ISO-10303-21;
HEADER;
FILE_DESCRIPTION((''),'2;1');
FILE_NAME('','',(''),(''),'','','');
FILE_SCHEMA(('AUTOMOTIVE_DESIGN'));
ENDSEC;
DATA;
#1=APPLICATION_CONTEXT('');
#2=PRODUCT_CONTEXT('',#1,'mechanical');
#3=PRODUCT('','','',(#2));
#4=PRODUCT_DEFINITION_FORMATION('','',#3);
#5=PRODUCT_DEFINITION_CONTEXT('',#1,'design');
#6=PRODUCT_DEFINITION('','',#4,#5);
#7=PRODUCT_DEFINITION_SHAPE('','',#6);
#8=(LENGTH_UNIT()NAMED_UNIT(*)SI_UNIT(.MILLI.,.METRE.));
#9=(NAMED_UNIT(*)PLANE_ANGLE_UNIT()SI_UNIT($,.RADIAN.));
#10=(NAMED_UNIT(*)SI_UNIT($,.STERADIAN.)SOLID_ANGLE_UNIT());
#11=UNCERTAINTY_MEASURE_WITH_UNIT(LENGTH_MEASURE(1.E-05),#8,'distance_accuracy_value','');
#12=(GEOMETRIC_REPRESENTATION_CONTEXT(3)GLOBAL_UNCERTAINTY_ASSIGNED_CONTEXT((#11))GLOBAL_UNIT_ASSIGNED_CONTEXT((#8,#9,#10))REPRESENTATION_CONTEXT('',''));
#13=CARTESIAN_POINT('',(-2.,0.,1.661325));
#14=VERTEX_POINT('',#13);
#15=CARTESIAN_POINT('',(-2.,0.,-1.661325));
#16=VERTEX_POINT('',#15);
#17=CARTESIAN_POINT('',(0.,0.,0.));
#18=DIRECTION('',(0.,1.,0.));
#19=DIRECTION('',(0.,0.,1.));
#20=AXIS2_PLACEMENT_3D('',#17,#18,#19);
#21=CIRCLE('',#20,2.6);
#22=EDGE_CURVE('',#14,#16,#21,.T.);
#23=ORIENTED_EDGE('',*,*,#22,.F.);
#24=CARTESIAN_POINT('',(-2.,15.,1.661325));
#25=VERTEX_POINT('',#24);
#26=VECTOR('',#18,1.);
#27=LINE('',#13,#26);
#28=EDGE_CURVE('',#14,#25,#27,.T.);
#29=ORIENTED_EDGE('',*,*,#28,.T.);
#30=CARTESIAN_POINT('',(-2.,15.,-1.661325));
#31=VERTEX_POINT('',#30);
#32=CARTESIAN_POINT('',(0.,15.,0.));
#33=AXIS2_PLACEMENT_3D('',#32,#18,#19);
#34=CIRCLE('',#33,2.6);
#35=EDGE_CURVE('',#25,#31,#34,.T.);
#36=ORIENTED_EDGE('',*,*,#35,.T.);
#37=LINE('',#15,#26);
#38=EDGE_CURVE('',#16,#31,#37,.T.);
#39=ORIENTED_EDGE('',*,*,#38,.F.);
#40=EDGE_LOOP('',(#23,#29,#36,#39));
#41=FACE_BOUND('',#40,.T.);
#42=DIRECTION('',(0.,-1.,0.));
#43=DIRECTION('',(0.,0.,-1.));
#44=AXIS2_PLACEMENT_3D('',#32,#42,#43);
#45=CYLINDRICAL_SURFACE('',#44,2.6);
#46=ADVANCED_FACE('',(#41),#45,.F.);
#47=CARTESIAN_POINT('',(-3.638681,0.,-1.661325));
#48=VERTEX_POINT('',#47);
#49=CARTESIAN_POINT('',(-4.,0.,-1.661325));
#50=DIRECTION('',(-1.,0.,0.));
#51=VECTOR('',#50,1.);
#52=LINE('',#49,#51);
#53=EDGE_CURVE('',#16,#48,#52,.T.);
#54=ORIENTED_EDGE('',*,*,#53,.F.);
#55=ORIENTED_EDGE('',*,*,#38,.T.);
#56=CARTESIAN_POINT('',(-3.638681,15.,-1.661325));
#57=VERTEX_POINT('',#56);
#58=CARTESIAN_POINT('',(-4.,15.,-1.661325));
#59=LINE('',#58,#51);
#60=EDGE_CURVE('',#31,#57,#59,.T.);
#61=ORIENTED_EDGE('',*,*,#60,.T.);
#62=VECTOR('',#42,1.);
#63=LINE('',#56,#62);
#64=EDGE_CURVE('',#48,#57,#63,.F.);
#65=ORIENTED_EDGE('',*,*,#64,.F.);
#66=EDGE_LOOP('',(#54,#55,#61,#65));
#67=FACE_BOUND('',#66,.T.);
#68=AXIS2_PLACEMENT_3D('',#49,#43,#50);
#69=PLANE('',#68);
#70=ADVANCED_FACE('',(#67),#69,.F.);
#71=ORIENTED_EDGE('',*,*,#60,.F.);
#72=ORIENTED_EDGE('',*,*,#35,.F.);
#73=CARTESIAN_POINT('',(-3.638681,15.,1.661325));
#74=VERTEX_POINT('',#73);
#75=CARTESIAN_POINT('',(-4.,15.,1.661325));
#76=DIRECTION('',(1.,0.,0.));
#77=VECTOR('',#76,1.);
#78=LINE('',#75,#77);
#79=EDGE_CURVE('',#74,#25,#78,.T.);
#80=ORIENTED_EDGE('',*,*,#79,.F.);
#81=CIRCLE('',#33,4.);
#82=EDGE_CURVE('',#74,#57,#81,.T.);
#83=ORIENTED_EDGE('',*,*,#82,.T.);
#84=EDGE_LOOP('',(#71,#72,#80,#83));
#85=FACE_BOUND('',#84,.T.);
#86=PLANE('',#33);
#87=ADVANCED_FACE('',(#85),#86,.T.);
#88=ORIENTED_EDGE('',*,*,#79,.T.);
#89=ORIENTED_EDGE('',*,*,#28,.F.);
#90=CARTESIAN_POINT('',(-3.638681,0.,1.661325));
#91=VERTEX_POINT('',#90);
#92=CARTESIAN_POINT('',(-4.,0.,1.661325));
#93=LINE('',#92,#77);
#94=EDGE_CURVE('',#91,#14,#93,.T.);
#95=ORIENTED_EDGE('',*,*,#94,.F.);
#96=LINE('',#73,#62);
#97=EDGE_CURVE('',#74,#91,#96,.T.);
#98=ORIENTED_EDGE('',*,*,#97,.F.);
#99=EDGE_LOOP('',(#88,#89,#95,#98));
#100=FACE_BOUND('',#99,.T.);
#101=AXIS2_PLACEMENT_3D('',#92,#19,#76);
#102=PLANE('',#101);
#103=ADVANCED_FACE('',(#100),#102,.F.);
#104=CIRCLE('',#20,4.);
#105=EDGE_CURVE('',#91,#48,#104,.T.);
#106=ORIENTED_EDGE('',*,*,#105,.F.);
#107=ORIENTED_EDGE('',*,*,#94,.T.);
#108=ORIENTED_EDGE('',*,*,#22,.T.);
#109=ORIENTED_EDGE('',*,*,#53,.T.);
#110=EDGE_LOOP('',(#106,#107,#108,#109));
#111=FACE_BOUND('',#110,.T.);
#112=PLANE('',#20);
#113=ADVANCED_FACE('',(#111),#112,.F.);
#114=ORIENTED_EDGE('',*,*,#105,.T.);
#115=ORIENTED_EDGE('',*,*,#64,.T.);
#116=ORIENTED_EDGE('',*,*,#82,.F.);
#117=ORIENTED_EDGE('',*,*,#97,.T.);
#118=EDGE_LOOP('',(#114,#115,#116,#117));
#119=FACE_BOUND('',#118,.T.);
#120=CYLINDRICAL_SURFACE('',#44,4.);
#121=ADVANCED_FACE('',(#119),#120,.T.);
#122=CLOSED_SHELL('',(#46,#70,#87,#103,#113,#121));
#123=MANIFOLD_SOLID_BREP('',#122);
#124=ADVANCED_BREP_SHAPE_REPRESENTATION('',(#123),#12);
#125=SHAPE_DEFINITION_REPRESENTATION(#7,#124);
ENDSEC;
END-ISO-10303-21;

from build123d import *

# Parameters (mm, degrees)
SKETCH_1_R          = 4
SKETCH_1_R_2        = 2.6
EXTRUDE_1_DEPTH     = 15
SKETCH_2_W          = 2
SKETCH_2_H          = 3.322649546
CUT_EXTRUDE_1_DEPTH = 15


with BuildPart() as part:
    # 草圖1 → 填料-伸長1 (new body)
    with BuildSketch(Plane(origin=(0, 0, 0), x_dir=(1, 0, 0), z_dir=(0, 1, 0))):
        Circle(SKETCH_1_R)
        Circle(SKETCH_1_R_2, mode=Mode.SUBTRACT)
    extrude(amount=EXTRUDE_1_DEPTH)

    # 草圖2 → 除料-伸長1 (cut)
    with BuildSketch(Plane(origin=(0, 15, 0), x_dir=(1, 0, 0), z_dir=(0, 1, 0))):
        with Locations((-3, 0)):
            Rectangle(SKETCH_2_W, SKETCH_2_H)
    extrude(amount=-CUT_EXTRUDE_1_DEPTH, mode=Mode.SUBTRACT)


solid = part.part
